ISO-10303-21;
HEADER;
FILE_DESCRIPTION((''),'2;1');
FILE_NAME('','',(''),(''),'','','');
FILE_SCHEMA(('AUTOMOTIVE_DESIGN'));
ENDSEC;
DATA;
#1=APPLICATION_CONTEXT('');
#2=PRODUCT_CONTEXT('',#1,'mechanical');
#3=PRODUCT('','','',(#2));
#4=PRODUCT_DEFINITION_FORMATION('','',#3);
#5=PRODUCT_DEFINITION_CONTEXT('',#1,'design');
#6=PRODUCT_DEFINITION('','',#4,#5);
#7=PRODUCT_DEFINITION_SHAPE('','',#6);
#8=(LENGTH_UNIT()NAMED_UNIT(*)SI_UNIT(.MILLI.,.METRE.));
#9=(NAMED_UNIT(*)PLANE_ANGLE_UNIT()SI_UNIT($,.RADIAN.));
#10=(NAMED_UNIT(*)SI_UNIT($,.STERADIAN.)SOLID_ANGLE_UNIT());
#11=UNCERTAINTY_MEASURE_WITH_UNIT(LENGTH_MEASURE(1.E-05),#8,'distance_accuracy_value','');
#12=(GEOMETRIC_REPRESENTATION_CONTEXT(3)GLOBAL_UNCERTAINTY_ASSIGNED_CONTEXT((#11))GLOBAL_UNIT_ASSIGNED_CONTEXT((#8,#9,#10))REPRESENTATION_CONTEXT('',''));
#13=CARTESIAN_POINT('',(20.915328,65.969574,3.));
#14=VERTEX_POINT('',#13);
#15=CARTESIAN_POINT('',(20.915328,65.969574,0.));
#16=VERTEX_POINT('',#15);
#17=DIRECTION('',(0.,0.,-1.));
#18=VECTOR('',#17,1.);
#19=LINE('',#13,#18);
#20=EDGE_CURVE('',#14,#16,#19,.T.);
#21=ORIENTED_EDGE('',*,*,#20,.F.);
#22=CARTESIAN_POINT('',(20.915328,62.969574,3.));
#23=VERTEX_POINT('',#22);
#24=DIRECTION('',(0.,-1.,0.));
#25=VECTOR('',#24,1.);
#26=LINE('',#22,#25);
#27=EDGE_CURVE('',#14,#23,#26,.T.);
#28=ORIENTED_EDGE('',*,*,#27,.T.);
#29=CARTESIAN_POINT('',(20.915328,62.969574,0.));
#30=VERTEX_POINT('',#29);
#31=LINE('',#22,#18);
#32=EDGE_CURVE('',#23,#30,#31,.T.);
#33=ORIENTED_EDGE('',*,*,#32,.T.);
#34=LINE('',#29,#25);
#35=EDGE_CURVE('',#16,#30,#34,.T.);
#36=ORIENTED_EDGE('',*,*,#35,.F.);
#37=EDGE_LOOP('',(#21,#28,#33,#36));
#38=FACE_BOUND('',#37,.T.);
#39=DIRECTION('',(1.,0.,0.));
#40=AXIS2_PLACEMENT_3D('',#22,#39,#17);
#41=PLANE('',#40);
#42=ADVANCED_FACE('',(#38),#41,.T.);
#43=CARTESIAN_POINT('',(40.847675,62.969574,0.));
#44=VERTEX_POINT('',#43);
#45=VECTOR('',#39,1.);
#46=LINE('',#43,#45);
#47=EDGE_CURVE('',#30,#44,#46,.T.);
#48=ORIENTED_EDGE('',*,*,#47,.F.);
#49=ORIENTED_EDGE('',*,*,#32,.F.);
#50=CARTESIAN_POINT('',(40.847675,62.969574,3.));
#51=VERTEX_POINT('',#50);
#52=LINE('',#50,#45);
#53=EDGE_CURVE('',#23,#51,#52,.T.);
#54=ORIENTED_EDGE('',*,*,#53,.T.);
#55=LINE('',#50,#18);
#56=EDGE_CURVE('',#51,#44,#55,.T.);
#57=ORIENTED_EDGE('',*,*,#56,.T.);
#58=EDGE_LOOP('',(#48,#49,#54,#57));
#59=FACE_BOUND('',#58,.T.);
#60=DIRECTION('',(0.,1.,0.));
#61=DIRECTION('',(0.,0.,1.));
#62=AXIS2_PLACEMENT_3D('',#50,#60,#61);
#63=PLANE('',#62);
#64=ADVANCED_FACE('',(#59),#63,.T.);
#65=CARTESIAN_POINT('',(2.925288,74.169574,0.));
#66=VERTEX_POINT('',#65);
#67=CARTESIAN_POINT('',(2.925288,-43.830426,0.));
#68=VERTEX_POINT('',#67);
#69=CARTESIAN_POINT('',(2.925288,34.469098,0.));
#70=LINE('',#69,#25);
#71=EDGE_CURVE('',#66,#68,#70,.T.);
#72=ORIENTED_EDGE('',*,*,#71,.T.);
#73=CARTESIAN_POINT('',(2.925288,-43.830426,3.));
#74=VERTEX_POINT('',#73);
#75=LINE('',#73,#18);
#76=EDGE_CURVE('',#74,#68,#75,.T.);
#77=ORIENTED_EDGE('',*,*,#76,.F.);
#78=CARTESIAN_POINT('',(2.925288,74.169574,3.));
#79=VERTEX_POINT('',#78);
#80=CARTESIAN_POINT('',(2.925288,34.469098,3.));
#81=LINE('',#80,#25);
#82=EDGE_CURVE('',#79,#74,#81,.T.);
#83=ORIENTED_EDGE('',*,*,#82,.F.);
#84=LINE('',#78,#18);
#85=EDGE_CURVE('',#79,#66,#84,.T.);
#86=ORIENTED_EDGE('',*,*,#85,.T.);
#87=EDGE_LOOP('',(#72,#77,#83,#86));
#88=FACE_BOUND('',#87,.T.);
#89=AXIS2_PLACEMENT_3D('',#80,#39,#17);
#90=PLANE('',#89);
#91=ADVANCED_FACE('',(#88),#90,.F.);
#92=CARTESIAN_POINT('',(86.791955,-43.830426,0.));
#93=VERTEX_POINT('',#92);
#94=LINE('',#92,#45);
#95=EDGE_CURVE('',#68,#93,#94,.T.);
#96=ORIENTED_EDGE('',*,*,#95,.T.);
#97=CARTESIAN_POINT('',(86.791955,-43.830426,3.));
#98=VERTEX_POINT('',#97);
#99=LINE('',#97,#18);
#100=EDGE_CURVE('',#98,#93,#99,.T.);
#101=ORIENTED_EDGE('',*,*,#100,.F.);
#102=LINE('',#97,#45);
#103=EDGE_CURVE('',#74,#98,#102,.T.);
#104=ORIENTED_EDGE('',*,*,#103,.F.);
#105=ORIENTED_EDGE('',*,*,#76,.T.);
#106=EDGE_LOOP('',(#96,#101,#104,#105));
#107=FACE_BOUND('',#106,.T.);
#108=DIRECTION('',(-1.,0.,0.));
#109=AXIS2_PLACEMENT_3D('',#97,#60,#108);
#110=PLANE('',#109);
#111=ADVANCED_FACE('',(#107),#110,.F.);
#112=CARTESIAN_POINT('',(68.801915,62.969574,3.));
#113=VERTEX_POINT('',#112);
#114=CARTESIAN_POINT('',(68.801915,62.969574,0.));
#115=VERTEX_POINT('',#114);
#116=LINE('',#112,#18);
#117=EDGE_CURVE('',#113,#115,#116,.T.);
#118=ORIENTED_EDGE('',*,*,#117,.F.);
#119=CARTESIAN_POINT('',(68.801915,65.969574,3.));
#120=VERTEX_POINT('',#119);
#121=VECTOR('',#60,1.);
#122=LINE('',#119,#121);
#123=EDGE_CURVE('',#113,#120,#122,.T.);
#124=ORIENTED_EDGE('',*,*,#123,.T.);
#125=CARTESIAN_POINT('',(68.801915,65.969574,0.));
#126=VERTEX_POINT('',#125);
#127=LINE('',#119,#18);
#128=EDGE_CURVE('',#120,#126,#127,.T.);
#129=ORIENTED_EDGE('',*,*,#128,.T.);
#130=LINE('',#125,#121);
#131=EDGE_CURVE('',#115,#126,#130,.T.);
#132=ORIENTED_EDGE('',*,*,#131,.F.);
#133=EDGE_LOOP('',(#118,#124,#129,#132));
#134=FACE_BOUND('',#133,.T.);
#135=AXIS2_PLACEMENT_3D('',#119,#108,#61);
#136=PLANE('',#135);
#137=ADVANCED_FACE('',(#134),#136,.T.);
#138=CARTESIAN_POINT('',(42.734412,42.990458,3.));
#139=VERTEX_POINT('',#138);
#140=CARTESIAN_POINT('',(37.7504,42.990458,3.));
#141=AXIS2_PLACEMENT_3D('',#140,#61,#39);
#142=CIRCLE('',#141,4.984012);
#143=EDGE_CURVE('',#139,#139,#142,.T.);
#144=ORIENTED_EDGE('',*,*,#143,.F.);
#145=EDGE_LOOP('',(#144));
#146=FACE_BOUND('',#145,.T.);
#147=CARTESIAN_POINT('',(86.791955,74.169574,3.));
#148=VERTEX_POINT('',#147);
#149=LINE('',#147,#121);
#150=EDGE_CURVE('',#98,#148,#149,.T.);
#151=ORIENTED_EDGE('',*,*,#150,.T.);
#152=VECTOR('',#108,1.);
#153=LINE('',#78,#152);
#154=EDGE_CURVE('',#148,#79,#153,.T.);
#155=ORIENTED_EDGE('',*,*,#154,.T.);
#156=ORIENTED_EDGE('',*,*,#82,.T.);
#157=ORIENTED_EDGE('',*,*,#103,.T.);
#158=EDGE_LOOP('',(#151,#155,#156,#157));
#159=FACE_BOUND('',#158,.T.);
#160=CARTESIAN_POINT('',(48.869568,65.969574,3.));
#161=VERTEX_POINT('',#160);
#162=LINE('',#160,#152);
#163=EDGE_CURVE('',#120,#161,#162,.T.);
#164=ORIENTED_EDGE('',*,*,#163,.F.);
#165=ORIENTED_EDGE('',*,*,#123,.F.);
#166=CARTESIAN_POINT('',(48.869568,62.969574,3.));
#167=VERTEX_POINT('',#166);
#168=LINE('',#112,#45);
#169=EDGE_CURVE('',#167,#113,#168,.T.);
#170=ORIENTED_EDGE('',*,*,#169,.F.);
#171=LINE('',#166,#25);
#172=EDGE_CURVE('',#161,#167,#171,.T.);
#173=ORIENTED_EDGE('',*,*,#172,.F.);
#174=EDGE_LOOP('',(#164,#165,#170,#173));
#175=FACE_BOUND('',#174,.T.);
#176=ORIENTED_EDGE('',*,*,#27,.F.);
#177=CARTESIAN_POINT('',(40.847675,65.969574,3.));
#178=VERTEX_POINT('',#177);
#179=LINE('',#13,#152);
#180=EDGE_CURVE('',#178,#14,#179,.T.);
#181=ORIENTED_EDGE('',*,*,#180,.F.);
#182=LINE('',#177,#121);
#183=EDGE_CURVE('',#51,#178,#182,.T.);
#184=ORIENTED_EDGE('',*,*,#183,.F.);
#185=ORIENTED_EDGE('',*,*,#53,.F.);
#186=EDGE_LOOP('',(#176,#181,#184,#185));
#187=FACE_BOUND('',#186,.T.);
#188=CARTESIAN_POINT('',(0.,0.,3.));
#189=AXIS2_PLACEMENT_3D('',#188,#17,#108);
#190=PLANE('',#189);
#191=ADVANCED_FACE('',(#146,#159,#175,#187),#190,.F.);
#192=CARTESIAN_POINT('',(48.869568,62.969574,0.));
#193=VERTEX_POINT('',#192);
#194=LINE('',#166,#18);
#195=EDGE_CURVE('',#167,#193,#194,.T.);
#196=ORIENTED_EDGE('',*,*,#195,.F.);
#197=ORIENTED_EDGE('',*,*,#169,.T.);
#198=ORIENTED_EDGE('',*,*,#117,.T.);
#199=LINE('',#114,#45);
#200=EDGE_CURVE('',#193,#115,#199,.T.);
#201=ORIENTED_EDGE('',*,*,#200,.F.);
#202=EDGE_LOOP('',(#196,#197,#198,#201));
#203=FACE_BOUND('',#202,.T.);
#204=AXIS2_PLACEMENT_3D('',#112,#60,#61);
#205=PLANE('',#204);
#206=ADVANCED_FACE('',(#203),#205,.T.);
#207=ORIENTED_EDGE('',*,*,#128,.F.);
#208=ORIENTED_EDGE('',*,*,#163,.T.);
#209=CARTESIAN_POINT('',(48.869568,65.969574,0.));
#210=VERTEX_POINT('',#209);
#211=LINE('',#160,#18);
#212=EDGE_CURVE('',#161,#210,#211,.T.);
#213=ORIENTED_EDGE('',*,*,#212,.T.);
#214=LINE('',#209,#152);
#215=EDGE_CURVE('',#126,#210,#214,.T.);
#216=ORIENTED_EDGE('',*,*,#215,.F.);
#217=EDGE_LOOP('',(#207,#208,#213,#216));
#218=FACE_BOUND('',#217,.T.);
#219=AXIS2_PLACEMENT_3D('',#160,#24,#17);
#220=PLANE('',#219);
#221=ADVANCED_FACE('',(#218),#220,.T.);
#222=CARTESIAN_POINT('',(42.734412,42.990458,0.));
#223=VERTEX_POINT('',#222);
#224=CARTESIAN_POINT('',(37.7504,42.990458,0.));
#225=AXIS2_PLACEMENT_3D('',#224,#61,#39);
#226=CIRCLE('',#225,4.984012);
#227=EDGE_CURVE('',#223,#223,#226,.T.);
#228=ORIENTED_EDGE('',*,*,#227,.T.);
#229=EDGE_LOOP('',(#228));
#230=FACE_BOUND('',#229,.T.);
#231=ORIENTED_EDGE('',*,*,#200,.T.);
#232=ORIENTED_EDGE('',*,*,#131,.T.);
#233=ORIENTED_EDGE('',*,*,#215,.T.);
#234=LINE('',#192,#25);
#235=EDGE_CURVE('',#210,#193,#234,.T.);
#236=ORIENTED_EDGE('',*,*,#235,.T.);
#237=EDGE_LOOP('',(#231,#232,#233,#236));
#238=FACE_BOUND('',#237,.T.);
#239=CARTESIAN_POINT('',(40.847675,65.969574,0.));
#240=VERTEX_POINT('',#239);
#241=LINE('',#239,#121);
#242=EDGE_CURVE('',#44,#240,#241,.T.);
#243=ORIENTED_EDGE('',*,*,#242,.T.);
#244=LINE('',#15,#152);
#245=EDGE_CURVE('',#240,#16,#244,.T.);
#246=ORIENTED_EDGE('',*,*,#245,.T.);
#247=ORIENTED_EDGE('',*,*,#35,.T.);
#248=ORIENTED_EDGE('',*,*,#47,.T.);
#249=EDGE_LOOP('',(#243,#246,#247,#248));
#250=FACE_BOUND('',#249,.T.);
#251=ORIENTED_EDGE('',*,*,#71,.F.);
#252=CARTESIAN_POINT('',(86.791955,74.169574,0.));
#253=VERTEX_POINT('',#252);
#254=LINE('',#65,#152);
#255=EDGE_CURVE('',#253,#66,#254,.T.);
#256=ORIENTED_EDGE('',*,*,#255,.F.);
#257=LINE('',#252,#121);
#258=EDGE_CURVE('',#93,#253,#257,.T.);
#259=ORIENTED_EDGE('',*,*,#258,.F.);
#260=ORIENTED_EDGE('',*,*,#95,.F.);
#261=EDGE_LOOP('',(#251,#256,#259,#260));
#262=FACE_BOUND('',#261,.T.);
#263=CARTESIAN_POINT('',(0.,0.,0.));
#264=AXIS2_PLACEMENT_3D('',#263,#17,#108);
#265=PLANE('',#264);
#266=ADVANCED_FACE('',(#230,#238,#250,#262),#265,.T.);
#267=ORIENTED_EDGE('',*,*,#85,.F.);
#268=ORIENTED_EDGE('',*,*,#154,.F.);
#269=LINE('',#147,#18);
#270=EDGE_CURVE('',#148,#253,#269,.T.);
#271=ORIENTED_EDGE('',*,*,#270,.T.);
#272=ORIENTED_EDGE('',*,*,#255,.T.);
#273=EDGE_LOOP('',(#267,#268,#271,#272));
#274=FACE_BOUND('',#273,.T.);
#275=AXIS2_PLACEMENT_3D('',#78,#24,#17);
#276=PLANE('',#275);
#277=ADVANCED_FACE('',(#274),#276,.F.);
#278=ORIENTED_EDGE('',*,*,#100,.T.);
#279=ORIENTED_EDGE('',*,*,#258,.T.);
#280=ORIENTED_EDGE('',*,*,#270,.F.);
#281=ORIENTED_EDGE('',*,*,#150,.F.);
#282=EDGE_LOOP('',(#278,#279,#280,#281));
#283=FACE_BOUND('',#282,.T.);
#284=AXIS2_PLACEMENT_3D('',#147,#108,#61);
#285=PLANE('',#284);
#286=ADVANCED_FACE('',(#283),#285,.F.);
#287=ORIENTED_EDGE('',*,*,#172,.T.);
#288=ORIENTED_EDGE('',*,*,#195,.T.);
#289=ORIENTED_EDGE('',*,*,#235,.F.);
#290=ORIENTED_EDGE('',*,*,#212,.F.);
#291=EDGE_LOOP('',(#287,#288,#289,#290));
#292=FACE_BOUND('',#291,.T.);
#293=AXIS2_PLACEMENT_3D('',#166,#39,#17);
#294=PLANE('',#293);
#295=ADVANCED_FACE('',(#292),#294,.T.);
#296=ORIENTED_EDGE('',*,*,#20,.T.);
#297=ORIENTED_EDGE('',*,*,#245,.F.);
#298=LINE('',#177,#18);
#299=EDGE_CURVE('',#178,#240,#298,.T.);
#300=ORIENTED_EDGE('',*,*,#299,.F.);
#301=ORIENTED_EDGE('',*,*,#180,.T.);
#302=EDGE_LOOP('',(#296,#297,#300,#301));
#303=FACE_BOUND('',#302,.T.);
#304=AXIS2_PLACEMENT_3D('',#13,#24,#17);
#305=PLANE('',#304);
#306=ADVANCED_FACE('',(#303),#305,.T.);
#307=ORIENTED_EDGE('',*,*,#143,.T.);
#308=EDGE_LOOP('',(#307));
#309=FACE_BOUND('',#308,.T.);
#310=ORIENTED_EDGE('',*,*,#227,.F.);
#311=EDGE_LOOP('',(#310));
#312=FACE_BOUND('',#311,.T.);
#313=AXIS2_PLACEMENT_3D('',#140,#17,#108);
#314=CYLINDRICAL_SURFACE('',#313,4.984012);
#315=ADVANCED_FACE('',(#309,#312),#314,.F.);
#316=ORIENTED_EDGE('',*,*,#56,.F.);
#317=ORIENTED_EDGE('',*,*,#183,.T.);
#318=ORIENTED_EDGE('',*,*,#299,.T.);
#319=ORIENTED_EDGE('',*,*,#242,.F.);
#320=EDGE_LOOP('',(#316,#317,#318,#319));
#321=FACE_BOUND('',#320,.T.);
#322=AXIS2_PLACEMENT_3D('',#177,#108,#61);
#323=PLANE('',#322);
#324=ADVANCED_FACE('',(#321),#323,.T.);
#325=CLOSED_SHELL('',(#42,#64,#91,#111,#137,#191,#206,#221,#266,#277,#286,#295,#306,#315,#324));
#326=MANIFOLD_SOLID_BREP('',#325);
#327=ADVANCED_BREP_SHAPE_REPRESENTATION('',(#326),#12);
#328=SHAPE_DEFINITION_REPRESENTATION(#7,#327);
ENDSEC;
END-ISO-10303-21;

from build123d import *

# Parameters (mm, degrees)
MODEL_R                 = 4.984012051
MODEL_W                 = 19.932346667
MODEL_H                 = 3
SALIENTE_EXTRUIR1_DEPTH = 3


with BuildPart() as part:
    # Model → Saliente-Extruir1 (new body)
    with BuildSketch(Plane.XY):
        Polygon((86.791955129, -43.830425543), (2.925288462, -43.830425543), (2.925288462, 34.469098382), (2.925288462, 74.169574457), (86.791955129, 74.169574457), align=None)
        with Locations((37.750400228, 42.990457696)):
            Circle(MODEL_R, mode=Mode.SUBTRACT)
        with Locations((58.835741796, 64.469574457)):
            Rectangle(MODEL_W, MODEL_H, mode=Mode.SUBTRACT)
        with Locations((30.881501796, 64.469574457)):
            Rectangle(MODEL_W, MODEL_H, mode=Mode.SUBTRACT)
    extrude(amount=SALIENTE_EXTRUIR1_DEPTH)


solid = part.part
